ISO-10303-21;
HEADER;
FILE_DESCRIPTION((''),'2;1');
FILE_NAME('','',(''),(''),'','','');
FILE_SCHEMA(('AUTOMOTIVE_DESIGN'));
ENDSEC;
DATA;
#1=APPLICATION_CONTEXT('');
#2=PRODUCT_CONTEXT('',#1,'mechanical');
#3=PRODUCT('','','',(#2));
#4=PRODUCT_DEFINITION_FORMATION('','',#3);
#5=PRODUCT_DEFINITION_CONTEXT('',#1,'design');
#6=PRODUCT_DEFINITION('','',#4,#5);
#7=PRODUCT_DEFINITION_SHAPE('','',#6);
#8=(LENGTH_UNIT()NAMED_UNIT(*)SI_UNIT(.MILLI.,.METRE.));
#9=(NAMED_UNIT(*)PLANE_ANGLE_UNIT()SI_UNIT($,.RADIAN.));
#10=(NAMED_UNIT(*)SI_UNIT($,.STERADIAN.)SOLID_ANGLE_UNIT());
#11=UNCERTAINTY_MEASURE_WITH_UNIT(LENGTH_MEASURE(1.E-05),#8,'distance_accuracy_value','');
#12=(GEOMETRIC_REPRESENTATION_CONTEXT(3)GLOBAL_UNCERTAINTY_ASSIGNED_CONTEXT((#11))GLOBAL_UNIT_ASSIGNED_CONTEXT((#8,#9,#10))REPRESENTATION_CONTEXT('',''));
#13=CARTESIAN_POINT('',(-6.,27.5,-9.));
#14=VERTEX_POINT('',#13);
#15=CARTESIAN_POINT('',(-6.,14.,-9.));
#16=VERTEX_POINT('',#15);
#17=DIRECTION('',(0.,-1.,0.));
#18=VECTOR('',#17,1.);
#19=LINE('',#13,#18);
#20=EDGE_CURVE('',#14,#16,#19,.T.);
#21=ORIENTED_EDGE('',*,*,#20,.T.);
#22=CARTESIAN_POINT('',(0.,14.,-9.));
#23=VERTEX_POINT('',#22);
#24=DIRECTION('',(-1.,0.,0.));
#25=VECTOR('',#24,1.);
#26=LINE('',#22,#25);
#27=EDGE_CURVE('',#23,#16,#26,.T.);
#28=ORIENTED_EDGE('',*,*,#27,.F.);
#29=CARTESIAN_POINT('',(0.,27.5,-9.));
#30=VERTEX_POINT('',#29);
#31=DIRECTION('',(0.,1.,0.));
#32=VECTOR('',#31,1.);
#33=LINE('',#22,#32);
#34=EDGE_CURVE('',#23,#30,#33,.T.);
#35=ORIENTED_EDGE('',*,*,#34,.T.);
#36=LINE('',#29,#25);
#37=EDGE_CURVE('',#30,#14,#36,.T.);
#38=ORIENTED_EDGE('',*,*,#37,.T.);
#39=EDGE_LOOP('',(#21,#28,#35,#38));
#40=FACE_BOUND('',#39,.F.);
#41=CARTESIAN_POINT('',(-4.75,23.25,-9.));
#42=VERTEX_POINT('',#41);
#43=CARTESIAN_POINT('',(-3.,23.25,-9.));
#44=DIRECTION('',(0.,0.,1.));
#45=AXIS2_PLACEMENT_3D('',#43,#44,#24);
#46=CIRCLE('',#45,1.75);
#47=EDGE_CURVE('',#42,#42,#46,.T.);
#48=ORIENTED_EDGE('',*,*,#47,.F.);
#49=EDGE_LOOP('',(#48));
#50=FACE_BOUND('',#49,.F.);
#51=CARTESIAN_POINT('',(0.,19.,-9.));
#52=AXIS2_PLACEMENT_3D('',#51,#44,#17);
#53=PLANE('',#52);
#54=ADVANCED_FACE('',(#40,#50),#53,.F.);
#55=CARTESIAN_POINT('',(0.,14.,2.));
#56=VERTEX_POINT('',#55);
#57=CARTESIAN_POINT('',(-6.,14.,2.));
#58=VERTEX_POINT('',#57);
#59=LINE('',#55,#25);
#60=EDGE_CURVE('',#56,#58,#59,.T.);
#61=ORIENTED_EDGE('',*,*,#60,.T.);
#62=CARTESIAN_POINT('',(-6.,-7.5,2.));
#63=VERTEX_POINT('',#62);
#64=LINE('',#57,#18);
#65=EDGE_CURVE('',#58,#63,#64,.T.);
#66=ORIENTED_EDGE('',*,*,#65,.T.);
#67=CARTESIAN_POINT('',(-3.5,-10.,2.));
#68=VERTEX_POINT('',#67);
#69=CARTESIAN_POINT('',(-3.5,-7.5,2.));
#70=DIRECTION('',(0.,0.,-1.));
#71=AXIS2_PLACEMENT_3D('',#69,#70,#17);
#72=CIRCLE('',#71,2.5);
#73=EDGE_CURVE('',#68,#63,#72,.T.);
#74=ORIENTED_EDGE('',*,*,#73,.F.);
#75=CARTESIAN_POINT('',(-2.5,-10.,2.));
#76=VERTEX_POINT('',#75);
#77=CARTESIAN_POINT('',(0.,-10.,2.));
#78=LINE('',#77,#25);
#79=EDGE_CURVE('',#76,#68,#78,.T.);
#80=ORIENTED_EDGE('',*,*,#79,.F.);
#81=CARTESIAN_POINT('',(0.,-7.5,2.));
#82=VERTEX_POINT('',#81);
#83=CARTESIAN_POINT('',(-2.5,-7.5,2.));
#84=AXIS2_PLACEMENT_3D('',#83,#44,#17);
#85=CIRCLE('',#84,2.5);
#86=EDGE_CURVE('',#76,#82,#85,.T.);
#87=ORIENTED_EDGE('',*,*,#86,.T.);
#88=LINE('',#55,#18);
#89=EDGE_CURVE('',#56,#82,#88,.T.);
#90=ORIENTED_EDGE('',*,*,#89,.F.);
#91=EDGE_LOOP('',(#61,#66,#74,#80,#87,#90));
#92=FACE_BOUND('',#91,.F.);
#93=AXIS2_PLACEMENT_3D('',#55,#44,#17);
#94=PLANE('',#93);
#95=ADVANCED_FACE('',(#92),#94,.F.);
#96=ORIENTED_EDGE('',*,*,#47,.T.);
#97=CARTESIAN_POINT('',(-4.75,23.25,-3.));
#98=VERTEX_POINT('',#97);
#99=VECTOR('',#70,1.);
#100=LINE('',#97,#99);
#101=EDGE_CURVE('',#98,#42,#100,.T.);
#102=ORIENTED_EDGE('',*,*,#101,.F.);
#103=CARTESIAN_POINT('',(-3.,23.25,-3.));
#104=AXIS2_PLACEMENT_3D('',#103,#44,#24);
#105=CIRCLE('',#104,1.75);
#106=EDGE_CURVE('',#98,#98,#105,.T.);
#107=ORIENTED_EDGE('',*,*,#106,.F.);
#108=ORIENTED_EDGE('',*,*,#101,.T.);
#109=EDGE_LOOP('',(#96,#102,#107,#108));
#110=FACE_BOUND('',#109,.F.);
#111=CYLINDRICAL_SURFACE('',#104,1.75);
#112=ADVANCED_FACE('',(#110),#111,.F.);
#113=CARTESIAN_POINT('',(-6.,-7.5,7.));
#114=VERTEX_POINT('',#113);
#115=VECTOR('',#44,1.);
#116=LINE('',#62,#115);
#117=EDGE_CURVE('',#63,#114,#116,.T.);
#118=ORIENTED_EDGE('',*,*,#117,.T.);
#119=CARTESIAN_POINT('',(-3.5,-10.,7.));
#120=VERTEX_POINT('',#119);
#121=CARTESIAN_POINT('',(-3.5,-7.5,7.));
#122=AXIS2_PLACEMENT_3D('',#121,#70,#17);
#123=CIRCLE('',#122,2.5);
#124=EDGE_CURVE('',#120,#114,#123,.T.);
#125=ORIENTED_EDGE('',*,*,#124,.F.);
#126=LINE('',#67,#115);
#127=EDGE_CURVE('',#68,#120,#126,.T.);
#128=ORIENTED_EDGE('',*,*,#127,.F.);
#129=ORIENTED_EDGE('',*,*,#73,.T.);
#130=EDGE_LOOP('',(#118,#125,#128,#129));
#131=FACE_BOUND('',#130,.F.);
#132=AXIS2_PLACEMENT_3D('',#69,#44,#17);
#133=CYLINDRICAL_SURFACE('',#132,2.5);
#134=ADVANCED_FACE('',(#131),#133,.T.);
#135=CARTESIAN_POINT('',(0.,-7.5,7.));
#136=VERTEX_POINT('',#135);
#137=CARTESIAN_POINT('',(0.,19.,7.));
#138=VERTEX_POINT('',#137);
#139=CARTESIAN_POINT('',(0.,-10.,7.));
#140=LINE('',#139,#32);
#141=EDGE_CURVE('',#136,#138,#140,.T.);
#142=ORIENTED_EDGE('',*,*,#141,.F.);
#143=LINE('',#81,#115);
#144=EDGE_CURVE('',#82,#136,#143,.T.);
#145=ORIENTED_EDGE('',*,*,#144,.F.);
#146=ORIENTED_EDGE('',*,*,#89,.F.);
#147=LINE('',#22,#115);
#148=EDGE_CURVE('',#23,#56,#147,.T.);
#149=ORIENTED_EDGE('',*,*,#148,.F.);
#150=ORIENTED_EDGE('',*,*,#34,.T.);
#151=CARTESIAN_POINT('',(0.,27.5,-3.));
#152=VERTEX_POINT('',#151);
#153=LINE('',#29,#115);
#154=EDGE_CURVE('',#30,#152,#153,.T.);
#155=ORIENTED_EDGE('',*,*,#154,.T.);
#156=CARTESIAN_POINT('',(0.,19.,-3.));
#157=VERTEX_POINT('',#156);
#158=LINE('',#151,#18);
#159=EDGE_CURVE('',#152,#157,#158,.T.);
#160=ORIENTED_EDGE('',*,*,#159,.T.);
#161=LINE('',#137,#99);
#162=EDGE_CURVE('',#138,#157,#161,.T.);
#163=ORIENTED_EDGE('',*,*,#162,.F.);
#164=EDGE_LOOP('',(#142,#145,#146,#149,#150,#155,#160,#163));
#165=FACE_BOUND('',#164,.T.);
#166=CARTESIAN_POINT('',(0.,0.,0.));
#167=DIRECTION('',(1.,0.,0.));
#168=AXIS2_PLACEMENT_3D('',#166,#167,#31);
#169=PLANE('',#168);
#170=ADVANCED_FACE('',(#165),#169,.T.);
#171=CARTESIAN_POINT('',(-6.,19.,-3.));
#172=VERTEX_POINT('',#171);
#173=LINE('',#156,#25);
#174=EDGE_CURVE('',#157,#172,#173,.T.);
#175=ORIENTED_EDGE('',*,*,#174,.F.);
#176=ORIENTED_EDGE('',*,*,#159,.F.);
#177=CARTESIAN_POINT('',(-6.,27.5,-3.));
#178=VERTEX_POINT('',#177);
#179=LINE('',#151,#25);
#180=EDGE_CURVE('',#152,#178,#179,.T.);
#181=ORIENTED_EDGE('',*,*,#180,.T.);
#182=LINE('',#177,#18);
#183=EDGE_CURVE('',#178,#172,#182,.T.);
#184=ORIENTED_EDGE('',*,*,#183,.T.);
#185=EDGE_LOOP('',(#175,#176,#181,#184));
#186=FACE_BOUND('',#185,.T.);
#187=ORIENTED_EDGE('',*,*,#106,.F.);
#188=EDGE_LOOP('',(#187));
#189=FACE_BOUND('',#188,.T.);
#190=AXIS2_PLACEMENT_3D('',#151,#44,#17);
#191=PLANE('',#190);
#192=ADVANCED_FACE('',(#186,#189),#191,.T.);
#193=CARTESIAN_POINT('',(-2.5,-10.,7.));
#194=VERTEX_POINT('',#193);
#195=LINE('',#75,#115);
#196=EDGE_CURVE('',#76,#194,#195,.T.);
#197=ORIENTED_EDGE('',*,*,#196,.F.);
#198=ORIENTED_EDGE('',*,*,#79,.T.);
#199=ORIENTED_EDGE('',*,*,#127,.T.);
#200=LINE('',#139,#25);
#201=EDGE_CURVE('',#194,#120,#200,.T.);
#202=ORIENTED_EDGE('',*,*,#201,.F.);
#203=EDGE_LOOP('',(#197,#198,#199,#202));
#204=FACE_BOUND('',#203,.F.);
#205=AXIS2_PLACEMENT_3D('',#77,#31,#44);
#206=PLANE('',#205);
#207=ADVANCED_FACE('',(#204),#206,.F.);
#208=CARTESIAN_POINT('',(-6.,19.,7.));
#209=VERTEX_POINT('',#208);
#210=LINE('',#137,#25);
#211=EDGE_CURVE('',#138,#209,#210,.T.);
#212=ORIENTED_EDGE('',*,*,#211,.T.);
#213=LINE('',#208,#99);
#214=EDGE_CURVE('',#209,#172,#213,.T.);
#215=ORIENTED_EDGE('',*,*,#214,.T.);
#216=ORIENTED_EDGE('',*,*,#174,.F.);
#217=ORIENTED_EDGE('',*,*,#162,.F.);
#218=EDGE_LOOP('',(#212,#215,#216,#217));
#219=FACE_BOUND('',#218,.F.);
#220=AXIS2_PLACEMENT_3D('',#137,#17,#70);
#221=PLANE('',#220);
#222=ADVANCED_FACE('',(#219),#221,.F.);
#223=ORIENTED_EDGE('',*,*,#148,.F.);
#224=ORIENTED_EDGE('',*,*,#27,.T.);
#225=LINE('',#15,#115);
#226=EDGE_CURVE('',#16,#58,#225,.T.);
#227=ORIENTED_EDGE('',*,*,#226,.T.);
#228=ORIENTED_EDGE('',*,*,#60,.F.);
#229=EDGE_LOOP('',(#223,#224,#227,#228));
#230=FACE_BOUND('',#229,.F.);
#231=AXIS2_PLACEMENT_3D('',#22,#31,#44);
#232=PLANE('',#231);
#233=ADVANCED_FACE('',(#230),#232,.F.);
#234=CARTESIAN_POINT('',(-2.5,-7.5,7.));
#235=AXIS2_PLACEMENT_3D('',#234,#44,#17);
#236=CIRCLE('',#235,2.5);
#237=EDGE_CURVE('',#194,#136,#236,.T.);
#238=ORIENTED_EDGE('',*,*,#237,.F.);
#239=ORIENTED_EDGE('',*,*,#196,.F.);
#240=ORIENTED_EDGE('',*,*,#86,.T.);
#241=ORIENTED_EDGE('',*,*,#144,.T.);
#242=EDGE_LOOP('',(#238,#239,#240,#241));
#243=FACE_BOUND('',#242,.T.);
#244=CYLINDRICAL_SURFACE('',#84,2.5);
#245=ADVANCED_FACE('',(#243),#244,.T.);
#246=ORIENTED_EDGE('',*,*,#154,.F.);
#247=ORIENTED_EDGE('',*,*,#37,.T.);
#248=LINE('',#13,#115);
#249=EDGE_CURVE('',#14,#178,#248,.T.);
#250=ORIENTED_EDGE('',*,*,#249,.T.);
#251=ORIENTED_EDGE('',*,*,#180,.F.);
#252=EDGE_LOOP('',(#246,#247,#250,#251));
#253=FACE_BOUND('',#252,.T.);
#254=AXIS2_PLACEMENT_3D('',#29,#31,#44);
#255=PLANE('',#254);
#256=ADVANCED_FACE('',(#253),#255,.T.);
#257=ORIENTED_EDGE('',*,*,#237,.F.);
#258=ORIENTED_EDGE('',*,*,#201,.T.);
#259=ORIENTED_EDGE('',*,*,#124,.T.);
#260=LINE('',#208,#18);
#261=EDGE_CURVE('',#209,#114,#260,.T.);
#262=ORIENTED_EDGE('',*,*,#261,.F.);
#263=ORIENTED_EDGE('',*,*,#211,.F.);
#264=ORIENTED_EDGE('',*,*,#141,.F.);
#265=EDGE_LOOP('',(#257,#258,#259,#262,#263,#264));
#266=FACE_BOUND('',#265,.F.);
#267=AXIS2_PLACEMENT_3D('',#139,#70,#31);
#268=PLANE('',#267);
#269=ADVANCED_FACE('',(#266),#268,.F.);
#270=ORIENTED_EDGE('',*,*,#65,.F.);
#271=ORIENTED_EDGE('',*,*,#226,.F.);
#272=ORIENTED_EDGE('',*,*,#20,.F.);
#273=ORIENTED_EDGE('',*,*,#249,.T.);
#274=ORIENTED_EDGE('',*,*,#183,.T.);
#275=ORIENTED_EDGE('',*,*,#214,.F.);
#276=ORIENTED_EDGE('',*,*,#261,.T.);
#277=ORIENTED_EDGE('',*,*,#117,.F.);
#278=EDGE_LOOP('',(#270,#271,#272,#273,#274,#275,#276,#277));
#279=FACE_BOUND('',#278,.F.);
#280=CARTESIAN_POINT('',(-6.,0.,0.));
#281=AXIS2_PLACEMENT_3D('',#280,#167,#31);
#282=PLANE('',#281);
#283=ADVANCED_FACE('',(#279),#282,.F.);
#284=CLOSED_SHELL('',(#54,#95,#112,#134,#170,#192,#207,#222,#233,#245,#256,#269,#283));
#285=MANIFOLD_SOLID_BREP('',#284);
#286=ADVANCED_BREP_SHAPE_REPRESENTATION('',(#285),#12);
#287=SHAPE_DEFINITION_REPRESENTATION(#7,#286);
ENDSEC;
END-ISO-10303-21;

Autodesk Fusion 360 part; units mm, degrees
sketch "Sketch1" plane through (0, 0, 0) normal (0, 0, 1) x (1, 0, 0)
  circle A0 centre (0, 0) radius 1.75
  circle A1 centre (0, 0) radius 5
  circle A2 centre (0, 0) radius 3.5
  circle A3 centre (-26, 0) radius 4
  line L0 (-25.9137, 3.9991) -> (-3.0012, 3.9991)
  line L1 (-25.9137, -3.9991) -> (-3.0012, -3.9991)
  dimension "d1" = 3.5
  dimension "d2" = 10
  dimension "d3" = 7
  dimension "d4" = 8
extrude "Extrude1" add sketch "Sketch1" against normal blind 18 contours A1 makes body 1
extrude "Extrude2" add sketch "Sketch1" along normal blind -12 and the other way blind 18 contours A2 bodies 1
extrude "Extrude3" add sketch "Sketch1" against normal blind 6 contours A1 A3 L0 L1 | A3 bodies 1
sketch "Sketch2" plane through (0, 0, 0) normal (1, 0, 0) x (0, 1, 0)
  line L0 (-10, 7) -> (14, 7)
  line L1 (14, 7) -> (14, 2)
  line L2 (14, 2) -> (-10, 2)
  line L3 (-10, 2) -> (-10, 7)
  line L4 (14, 7) -> (19, 7)
  line L5 (19, 7) -> (19, -9)
  line L6 (19, -9) -> (14, -9)
  line L7 (14, -9) -> (14, 7)
  line L8 (19, -9) -> (27.5, -9)
  line L9 (27.5, -9) -> (27.5, -3)
  line L10 (27.5, -3) -> (19, -3)
  line L11 (19, -3) -> (19, -9)
extrude "Extrude4" add sketch "Sketch2" against normal blind 6 separate body makes body 2
sketch "Sketch3" plane through (0, 0, -3) normal (0, 0, 1) x (-1, 0, 0)
  line L0 (0, -19) -> (0, -27.5)
  line L1 (0, -27.5) -> (6, -27.5)
  line L2 (6, -27.5) -> (6, -19)
  line L3 (6, -19) -> (0, -19)
  circle A0 centre (3, -23.25) radius 1.75
  dimension "d15" = 3.5
extrude "Extrude5" cut sketch "Sketch3" against normal blind 15 contours A0 bodies 2
fillet "Fillet1" radius 2.5 2 edges at (-6, -10, 4.5) (0, -10, 4.5) on bodies 2
hidden bodies 1
